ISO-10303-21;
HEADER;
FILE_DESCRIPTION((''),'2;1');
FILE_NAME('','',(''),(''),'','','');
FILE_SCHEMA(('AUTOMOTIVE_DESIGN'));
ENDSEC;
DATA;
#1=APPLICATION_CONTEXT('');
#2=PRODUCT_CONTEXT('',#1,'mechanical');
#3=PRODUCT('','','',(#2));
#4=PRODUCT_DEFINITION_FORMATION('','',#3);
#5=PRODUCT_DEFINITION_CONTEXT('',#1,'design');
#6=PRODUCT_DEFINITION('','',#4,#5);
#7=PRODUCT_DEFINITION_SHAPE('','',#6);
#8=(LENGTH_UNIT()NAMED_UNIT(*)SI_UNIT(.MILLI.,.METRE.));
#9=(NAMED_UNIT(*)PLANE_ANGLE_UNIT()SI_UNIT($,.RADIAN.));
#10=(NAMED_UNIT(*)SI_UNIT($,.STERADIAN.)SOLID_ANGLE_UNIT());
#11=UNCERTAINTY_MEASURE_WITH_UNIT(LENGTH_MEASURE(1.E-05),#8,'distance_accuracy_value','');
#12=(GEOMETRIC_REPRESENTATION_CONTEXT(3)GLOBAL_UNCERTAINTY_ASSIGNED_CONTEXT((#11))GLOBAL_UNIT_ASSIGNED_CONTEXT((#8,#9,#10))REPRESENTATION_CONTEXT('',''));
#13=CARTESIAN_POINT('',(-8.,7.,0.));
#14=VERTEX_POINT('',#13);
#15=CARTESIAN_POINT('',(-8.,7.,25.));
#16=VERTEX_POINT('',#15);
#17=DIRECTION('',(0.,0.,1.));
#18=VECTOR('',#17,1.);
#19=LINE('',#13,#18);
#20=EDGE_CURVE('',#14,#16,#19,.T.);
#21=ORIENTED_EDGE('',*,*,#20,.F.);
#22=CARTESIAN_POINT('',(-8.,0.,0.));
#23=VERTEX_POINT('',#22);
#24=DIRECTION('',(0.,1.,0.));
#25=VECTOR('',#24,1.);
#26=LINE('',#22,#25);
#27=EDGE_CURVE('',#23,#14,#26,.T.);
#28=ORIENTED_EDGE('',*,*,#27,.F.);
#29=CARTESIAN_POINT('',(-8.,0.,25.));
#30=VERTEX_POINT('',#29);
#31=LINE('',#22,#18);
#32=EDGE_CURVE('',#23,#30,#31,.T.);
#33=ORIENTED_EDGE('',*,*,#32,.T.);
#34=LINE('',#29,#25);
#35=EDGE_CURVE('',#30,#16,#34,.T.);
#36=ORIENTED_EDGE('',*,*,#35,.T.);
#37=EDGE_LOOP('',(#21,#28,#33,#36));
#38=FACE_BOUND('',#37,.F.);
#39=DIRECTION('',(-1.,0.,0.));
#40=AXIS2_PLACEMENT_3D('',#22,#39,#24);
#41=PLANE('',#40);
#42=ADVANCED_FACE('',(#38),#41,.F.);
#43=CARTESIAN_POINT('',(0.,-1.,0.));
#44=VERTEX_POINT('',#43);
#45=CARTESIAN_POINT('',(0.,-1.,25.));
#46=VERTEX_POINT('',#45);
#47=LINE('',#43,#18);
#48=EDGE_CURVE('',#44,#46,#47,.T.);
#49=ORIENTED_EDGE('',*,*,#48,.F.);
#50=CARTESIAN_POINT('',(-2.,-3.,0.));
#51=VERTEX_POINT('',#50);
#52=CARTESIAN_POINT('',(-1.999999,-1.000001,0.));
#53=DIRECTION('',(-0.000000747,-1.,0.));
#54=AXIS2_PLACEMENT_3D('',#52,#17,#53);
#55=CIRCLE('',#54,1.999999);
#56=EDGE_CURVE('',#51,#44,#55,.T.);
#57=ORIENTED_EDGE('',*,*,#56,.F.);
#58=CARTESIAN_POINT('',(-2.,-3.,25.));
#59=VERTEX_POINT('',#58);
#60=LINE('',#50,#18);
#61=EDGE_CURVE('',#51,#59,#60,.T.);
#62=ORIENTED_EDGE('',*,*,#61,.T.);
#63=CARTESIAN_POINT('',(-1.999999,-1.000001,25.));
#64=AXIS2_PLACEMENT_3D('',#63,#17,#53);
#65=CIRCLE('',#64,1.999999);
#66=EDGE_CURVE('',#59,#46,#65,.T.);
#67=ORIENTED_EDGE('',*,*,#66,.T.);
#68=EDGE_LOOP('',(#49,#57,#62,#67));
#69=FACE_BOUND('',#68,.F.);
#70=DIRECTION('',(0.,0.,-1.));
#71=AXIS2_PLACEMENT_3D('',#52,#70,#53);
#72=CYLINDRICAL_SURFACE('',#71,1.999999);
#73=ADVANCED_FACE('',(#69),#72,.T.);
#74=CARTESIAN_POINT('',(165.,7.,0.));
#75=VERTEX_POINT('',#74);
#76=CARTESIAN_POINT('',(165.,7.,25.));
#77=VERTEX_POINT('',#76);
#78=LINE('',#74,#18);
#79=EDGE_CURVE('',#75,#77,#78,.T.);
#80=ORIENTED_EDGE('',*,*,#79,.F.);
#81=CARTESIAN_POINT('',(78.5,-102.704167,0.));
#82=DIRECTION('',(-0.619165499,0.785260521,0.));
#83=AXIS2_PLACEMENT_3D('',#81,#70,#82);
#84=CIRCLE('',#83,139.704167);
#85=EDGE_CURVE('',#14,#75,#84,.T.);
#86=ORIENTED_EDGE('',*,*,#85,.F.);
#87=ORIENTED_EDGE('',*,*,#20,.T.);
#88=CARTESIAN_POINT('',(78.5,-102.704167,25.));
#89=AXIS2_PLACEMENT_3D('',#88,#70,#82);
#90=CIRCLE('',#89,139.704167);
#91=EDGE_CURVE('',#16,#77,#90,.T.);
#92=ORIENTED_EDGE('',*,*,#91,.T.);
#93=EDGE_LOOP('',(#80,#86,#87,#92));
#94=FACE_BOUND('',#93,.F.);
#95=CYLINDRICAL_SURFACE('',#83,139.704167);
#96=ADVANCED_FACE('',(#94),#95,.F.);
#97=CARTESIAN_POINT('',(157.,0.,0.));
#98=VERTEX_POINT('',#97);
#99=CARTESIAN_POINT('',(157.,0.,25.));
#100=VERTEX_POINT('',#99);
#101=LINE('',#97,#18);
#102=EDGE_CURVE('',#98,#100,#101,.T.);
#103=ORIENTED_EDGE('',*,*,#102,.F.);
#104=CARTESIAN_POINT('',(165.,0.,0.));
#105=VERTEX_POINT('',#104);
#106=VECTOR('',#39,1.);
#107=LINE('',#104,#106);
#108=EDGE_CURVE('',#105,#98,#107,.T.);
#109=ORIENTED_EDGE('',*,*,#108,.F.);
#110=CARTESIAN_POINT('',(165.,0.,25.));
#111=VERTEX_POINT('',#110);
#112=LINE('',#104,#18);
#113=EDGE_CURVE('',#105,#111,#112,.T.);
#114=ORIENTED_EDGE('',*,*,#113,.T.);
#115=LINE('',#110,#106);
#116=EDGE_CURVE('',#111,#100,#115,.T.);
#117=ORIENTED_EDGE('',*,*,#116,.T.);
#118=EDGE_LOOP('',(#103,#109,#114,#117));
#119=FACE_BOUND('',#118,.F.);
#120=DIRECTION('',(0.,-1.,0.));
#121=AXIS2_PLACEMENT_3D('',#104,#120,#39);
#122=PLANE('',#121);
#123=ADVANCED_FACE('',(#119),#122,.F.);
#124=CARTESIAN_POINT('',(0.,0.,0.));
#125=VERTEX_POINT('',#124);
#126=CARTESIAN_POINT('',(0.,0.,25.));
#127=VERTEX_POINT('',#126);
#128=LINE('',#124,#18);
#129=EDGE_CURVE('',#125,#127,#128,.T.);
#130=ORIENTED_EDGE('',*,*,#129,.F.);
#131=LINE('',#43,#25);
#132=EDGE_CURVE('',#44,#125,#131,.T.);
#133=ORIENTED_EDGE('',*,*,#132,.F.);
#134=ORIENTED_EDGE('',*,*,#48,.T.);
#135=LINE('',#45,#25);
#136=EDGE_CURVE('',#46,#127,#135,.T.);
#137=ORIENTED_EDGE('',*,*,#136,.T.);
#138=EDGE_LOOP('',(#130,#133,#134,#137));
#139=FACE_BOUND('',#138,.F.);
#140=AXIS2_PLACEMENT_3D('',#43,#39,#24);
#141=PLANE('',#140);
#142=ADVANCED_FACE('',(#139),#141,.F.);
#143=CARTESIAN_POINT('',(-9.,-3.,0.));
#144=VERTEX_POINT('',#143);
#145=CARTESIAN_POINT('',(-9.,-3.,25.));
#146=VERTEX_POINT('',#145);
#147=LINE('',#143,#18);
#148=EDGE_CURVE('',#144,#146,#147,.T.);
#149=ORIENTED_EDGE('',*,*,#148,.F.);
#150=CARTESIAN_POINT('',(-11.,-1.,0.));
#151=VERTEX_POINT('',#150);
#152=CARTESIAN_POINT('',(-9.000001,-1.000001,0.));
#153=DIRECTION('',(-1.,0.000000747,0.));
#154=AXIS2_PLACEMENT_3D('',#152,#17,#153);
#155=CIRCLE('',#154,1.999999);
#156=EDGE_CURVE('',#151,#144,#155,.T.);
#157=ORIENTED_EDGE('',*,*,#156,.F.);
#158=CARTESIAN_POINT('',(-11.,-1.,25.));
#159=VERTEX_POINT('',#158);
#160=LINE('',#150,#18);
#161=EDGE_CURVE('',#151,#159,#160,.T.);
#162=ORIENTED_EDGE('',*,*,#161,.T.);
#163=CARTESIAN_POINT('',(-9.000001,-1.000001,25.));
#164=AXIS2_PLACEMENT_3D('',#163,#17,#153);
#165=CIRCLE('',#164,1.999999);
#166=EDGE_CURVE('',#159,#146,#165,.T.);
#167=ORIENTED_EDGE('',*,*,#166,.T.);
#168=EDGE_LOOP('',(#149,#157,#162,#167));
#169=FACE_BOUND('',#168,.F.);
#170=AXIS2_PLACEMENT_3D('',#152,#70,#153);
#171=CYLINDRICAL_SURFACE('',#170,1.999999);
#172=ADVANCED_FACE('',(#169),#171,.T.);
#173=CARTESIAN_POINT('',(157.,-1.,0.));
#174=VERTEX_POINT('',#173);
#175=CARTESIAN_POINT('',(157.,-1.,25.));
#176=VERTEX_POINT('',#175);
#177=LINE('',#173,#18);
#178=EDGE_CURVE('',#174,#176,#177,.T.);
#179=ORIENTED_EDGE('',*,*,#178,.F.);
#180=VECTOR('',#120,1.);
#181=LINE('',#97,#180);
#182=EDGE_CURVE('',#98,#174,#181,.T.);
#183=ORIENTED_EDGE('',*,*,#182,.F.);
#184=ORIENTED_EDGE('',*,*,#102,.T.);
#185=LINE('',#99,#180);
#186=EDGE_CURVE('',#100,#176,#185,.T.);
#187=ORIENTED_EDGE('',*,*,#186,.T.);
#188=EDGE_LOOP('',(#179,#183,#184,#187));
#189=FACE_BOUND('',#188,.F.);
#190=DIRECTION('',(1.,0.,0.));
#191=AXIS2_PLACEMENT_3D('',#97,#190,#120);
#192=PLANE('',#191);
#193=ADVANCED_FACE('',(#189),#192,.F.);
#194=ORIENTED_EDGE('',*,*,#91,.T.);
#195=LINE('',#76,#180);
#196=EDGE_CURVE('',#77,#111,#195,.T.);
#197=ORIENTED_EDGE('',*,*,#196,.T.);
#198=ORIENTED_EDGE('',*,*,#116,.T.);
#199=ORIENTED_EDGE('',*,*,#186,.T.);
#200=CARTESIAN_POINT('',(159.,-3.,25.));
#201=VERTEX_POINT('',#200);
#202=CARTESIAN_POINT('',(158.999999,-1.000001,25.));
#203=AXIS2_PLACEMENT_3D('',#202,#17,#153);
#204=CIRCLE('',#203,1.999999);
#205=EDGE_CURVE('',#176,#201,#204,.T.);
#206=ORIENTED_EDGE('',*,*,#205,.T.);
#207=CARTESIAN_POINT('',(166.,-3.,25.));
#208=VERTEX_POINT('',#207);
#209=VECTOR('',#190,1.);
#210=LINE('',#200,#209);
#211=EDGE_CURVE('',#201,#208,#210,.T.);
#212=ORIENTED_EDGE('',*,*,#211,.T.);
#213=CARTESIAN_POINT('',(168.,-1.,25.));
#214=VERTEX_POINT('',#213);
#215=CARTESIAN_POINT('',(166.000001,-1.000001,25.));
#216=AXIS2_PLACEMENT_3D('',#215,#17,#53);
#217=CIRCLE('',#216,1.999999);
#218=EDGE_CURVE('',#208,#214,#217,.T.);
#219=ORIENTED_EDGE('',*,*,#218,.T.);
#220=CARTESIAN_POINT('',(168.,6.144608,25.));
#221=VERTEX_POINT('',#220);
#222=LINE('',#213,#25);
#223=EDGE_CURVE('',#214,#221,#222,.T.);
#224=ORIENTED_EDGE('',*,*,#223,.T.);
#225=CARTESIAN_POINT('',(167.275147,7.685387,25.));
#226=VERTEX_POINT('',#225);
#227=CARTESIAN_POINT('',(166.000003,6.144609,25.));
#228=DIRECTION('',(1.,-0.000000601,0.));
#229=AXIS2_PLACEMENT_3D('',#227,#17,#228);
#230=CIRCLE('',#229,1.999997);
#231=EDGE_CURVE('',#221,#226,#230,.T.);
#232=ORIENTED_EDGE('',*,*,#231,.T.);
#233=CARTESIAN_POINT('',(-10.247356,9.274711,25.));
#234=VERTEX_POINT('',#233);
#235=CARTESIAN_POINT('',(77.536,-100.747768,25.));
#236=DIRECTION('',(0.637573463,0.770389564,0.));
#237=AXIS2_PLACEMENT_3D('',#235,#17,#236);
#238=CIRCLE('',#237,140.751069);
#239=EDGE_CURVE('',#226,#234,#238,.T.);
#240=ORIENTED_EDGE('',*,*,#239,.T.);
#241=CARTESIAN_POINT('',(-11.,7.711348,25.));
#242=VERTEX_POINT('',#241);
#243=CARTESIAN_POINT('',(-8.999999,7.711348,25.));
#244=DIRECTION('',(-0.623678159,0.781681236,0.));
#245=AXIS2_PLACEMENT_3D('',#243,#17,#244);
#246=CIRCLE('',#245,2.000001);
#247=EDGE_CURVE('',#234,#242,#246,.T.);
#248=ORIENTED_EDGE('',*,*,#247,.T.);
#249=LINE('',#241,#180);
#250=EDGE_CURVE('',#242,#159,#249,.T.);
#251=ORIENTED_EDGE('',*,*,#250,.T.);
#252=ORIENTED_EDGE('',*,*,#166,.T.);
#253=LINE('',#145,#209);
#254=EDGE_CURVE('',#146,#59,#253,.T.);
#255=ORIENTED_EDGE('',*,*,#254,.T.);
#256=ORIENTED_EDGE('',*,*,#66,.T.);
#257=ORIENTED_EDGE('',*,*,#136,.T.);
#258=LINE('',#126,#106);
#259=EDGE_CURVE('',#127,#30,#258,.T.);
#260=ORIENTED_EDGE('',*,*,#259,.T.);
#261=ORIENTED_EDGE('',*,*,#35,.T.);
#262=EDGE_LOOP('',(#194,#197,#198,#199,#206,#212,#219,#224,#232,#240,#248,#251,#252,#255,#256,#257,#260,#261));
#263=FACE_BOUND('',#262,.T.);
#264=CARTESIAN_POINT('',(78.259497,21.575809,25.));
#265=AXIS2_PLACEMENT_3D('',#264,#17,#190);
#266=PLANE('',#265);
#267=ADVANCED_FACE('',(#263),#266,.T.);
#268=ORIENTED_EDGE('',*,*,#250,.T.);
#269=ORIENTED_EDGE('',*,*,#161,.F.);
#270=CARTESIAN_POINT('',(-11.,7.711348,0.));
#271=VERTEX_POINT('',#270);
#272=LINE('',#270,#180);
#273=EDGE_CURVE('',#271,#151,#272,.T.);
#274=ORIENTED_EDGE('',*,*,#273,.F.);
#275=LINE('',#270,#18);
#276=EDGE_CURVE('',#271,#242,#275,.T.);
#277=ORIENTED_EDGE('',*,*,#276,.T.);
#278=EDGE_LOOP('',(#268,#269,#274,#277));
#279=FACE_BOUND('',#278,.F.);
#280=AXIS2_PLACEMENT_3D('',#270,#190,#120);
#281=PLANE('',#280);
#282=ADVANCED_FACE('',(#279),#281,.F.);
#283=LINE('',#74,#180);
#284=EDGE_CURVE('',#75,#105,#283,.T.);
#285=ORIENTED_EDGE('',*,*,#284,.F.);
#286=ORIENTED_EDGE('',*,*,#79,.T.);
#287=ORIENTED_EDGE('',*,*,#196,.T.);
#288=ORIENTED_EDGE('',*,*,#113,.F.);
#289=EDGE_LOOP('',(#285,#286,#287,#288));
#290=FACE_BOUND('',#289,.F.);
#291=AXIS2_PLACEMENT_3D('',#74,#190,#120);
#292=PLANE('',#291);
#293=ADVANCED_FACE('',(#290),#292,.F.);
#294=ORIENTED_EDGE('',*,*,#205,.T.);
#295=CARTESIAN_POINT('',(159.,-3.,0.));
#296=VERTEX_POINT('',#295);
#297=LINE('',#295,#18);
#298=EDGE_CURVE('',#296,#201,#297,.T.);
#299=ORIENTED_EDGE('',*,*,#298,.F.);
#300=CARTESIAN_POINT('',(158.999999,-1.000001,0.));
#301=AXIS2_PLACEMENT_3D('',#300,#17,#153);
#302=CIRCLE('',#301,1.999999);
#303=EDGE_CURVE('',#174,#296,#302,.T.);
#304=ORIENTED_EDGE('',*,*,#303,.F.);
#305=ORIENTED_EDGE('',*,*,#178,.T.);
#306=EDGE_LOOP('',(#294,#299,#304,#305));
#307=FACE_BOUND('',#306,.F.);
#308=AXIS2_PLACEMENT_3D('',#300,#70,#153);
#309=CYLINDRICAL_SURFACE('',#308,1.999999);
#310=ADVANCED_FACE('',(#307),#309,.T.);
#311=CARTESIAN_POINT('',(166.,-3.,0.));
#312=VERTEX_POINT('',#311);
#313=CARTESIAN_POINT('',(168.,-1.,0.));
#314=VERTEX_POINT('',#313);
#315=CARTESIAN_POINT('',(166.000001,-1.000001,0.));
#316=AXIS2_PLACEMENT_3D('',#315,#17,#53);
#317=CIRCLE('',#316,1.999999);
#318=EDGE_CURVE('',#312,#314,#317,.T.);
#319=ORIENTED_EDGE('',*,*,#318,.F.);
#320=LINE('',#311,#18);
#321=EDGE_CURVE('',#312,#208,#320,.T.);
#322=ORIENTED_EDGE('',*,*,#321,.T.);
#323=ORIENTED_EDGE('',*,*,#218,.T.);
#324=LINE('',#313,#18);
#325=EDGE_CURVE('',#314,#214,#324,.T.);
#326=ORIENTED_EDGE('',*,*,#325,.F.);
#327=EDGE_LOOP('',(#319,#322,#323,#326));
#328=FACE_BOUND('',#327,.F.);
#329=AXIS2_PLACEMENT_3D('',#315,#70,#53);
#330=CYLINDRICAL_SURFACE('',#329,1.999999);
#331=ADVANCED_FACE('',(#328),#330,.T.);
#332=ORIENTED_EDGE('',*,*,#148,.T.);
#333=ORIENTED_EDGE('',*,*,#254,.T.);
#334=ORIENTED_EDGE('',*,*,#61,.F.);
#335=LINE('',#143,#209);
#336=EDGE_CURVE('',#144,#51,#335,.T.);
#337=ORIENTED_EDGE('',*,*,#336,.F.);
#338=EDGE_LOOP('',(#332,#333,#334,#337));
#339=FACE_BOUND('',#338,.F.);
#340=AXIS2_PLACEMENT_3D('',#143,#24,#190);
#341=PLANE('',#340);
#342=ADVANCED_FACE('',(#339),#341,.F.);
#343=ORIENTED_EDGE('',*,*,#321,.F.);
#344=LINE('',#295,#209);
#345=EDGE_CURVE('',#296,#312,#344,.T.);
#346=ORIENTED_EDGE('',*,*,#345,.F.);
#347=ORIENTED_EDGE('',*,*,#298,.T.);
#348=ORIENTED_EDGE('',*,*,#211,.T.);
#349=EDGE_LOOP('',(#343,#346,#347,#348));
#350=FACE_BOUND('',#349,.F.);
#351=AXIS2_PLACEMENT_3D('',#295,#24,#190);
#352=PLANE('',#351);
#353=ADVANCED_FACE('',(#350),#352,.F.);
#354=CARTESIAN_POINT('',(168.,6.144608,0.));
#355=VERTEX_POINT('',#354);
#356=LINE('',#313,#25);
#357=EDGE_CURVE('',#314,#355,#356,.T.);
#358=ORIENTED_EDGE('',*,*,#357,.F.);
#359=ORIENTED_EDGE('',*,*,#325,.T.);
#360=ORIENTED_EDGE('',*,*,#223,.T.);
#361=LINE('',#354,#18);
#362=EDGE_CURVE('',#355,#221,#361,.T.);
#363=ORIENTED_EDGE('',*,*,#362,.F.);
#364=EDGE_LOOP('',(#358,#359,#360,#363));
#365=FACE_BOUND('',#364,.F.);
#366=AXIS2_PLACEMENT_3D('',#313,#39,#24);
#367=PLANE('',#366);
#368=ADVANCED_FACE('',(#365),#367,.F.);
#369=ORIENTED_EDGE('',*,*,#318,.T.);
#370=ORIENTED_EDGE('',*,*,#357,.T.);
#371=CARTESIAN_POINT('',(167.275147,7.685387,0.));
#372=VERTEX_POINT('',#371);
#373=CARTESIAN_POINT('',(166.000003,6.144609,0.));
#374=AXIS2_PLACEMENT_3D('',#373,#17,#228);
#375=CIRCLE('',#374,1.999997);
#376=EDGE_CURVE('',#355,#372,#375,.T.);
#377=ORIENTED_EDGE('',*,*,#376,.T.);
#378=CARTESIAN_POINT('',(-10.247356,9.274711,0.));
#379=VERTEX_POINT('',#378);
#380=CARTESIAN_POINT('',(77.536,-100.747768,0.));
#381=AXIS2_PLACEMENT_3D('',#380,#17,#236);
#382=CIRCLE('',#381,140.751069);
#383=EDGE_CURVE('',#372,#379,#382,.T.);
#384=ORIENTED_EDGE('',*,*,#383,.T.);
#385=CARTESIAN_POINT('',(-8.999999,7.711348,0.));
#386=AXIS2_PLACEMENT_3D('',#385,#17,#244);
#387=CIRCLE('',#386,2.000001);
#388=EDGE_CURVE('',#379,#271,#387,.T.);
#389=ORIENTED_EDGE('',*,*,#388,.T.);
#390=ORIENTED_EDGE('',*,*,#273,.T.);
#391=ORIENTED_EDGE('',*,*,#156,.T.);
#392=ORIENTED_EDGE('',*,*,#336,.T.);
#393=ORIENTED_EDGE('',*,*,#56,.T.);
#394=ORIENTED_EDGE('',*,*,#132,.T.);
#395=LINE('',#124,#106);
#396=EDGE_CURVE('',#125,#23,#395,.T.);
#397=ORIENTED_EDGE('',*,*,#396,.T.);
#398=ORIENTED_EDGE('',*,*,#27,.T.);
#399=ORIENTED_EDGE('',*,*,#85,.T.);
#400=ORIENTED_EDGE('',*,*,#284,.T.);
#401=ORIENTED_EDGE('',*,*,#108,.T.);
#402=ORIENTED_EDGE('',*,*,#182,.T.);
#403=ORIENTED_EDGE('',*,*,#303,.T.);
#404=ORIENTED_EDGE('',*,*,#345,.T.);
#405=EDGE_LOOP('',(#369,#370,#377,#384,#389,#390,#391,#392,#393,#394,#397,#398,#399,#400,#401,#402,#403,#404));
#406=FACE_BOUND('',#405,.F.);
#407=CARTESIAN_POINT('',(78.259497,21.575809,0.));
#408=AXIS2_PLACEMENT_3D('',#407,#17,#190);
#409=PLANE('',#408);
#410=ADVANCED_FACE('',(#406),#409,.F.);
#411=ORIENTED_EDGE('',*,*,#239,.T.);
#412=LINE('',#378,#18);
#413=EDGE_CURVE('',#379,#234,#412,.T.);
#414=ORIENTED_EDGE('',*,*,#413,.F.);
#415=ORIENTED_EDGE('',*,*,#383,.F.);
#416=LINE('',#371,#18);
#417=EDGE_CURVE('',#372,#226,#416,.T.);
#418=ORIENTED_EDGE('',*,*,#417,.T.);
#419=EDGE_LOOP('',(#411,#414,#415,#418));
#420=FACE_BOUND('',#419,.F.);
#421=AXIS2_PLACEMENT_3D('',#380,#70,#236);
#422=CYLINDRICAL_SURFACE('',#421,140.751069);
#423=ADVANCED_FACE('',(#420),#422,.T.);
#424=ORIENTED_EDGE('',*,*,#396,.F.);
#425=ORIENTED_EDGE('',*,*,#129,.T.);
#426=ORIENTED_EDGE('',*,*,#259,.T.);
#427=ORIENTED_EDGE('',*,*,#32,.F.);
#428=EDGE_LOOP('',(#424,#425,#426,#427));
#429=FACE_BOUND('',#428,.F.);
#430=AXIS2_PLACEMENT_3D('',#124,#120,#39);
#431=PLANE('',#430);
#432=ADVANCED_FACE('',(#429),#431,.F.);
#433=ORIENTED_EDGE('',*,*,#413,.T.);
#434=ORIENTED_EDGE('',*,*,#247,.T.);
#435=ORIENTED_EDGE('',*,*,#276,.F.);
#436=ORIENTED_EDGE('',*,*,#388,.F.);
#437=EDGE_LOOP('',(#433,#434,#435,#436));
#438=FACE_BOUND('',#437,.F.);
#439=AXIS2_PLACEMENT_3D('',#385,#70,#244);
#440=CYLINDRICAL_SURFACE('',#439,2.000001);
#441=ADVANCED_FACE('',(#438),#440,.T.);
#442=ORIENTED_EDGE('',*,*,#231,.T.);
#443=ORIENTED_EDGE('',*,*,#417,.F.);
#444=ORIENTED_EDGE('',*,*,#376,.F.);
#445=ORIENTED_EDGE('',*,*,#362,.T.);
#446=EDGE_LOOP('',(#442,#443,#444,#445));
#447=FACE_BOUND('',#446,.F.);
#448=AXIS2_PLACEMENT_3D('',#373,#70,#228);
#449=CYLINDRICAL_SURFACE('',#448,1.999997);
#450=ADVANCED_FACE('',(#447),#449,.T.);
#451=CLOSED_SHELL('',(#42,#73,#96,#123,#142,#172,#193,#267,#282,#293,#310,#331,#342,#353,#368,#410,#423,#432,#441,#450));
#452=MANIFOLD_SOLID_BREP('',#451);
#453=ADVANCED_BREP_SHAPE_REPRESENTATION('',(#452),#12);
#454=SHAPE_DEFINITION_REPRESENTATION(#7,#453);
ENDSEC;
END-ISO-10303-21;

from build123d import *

# Parameters (mm, degrees)
F1_DEPTH = 25


with BuildPart() as f1:
    # F0 (on Top) → F1 (new body)
    with BuildSketch(Plane.XY):
        with BuildLine():
            Line((0, -1), (0, 0))
            Line((0, 0), (-8, 0))
            Line((-8, 0), (-8, 7))
            ThreePointArc((-8, 7), (78.5, 37), (165, 7))
            Line((165, 7), (165, 0))
            Line((165, 0), (157, 0))
            Line((157, 0), (157, -1))
            ThreePointArc((157, -1), (157.585786, -2.414214), (159, -3))
            Line((159, -3), (166, -3))
            ThreePointArc((166, -3), (167.414214, -2.414214), (168, -1))
            Line((168, -1), (168, 6.144608))
            ThreePointArc((168, 6.144608), (167.809737, 6.995991), (167.275147, 7.685387))
            ThreePointArc((167.275147, 7.685387), (78.796066, 39.997661), (-10.247356, 9.274711))
            ThreePointArc((-10.247356, 9.274711), (-10.802042, 8.578899), (-11, 7.711348))
            Line((-11, 7.711348), (-11, -1))
            ThreePointArc((-11, -1), (-10.414214, -2.414214), (-9, -3))
            Line((-9, -3), (-2, -3))
            ThreePointArc((-2, -3), (-0.585786, -2.414214), (0, -1))
        make_face()
    extrude(amount=F1_DEPTH)


solid = f1.part
